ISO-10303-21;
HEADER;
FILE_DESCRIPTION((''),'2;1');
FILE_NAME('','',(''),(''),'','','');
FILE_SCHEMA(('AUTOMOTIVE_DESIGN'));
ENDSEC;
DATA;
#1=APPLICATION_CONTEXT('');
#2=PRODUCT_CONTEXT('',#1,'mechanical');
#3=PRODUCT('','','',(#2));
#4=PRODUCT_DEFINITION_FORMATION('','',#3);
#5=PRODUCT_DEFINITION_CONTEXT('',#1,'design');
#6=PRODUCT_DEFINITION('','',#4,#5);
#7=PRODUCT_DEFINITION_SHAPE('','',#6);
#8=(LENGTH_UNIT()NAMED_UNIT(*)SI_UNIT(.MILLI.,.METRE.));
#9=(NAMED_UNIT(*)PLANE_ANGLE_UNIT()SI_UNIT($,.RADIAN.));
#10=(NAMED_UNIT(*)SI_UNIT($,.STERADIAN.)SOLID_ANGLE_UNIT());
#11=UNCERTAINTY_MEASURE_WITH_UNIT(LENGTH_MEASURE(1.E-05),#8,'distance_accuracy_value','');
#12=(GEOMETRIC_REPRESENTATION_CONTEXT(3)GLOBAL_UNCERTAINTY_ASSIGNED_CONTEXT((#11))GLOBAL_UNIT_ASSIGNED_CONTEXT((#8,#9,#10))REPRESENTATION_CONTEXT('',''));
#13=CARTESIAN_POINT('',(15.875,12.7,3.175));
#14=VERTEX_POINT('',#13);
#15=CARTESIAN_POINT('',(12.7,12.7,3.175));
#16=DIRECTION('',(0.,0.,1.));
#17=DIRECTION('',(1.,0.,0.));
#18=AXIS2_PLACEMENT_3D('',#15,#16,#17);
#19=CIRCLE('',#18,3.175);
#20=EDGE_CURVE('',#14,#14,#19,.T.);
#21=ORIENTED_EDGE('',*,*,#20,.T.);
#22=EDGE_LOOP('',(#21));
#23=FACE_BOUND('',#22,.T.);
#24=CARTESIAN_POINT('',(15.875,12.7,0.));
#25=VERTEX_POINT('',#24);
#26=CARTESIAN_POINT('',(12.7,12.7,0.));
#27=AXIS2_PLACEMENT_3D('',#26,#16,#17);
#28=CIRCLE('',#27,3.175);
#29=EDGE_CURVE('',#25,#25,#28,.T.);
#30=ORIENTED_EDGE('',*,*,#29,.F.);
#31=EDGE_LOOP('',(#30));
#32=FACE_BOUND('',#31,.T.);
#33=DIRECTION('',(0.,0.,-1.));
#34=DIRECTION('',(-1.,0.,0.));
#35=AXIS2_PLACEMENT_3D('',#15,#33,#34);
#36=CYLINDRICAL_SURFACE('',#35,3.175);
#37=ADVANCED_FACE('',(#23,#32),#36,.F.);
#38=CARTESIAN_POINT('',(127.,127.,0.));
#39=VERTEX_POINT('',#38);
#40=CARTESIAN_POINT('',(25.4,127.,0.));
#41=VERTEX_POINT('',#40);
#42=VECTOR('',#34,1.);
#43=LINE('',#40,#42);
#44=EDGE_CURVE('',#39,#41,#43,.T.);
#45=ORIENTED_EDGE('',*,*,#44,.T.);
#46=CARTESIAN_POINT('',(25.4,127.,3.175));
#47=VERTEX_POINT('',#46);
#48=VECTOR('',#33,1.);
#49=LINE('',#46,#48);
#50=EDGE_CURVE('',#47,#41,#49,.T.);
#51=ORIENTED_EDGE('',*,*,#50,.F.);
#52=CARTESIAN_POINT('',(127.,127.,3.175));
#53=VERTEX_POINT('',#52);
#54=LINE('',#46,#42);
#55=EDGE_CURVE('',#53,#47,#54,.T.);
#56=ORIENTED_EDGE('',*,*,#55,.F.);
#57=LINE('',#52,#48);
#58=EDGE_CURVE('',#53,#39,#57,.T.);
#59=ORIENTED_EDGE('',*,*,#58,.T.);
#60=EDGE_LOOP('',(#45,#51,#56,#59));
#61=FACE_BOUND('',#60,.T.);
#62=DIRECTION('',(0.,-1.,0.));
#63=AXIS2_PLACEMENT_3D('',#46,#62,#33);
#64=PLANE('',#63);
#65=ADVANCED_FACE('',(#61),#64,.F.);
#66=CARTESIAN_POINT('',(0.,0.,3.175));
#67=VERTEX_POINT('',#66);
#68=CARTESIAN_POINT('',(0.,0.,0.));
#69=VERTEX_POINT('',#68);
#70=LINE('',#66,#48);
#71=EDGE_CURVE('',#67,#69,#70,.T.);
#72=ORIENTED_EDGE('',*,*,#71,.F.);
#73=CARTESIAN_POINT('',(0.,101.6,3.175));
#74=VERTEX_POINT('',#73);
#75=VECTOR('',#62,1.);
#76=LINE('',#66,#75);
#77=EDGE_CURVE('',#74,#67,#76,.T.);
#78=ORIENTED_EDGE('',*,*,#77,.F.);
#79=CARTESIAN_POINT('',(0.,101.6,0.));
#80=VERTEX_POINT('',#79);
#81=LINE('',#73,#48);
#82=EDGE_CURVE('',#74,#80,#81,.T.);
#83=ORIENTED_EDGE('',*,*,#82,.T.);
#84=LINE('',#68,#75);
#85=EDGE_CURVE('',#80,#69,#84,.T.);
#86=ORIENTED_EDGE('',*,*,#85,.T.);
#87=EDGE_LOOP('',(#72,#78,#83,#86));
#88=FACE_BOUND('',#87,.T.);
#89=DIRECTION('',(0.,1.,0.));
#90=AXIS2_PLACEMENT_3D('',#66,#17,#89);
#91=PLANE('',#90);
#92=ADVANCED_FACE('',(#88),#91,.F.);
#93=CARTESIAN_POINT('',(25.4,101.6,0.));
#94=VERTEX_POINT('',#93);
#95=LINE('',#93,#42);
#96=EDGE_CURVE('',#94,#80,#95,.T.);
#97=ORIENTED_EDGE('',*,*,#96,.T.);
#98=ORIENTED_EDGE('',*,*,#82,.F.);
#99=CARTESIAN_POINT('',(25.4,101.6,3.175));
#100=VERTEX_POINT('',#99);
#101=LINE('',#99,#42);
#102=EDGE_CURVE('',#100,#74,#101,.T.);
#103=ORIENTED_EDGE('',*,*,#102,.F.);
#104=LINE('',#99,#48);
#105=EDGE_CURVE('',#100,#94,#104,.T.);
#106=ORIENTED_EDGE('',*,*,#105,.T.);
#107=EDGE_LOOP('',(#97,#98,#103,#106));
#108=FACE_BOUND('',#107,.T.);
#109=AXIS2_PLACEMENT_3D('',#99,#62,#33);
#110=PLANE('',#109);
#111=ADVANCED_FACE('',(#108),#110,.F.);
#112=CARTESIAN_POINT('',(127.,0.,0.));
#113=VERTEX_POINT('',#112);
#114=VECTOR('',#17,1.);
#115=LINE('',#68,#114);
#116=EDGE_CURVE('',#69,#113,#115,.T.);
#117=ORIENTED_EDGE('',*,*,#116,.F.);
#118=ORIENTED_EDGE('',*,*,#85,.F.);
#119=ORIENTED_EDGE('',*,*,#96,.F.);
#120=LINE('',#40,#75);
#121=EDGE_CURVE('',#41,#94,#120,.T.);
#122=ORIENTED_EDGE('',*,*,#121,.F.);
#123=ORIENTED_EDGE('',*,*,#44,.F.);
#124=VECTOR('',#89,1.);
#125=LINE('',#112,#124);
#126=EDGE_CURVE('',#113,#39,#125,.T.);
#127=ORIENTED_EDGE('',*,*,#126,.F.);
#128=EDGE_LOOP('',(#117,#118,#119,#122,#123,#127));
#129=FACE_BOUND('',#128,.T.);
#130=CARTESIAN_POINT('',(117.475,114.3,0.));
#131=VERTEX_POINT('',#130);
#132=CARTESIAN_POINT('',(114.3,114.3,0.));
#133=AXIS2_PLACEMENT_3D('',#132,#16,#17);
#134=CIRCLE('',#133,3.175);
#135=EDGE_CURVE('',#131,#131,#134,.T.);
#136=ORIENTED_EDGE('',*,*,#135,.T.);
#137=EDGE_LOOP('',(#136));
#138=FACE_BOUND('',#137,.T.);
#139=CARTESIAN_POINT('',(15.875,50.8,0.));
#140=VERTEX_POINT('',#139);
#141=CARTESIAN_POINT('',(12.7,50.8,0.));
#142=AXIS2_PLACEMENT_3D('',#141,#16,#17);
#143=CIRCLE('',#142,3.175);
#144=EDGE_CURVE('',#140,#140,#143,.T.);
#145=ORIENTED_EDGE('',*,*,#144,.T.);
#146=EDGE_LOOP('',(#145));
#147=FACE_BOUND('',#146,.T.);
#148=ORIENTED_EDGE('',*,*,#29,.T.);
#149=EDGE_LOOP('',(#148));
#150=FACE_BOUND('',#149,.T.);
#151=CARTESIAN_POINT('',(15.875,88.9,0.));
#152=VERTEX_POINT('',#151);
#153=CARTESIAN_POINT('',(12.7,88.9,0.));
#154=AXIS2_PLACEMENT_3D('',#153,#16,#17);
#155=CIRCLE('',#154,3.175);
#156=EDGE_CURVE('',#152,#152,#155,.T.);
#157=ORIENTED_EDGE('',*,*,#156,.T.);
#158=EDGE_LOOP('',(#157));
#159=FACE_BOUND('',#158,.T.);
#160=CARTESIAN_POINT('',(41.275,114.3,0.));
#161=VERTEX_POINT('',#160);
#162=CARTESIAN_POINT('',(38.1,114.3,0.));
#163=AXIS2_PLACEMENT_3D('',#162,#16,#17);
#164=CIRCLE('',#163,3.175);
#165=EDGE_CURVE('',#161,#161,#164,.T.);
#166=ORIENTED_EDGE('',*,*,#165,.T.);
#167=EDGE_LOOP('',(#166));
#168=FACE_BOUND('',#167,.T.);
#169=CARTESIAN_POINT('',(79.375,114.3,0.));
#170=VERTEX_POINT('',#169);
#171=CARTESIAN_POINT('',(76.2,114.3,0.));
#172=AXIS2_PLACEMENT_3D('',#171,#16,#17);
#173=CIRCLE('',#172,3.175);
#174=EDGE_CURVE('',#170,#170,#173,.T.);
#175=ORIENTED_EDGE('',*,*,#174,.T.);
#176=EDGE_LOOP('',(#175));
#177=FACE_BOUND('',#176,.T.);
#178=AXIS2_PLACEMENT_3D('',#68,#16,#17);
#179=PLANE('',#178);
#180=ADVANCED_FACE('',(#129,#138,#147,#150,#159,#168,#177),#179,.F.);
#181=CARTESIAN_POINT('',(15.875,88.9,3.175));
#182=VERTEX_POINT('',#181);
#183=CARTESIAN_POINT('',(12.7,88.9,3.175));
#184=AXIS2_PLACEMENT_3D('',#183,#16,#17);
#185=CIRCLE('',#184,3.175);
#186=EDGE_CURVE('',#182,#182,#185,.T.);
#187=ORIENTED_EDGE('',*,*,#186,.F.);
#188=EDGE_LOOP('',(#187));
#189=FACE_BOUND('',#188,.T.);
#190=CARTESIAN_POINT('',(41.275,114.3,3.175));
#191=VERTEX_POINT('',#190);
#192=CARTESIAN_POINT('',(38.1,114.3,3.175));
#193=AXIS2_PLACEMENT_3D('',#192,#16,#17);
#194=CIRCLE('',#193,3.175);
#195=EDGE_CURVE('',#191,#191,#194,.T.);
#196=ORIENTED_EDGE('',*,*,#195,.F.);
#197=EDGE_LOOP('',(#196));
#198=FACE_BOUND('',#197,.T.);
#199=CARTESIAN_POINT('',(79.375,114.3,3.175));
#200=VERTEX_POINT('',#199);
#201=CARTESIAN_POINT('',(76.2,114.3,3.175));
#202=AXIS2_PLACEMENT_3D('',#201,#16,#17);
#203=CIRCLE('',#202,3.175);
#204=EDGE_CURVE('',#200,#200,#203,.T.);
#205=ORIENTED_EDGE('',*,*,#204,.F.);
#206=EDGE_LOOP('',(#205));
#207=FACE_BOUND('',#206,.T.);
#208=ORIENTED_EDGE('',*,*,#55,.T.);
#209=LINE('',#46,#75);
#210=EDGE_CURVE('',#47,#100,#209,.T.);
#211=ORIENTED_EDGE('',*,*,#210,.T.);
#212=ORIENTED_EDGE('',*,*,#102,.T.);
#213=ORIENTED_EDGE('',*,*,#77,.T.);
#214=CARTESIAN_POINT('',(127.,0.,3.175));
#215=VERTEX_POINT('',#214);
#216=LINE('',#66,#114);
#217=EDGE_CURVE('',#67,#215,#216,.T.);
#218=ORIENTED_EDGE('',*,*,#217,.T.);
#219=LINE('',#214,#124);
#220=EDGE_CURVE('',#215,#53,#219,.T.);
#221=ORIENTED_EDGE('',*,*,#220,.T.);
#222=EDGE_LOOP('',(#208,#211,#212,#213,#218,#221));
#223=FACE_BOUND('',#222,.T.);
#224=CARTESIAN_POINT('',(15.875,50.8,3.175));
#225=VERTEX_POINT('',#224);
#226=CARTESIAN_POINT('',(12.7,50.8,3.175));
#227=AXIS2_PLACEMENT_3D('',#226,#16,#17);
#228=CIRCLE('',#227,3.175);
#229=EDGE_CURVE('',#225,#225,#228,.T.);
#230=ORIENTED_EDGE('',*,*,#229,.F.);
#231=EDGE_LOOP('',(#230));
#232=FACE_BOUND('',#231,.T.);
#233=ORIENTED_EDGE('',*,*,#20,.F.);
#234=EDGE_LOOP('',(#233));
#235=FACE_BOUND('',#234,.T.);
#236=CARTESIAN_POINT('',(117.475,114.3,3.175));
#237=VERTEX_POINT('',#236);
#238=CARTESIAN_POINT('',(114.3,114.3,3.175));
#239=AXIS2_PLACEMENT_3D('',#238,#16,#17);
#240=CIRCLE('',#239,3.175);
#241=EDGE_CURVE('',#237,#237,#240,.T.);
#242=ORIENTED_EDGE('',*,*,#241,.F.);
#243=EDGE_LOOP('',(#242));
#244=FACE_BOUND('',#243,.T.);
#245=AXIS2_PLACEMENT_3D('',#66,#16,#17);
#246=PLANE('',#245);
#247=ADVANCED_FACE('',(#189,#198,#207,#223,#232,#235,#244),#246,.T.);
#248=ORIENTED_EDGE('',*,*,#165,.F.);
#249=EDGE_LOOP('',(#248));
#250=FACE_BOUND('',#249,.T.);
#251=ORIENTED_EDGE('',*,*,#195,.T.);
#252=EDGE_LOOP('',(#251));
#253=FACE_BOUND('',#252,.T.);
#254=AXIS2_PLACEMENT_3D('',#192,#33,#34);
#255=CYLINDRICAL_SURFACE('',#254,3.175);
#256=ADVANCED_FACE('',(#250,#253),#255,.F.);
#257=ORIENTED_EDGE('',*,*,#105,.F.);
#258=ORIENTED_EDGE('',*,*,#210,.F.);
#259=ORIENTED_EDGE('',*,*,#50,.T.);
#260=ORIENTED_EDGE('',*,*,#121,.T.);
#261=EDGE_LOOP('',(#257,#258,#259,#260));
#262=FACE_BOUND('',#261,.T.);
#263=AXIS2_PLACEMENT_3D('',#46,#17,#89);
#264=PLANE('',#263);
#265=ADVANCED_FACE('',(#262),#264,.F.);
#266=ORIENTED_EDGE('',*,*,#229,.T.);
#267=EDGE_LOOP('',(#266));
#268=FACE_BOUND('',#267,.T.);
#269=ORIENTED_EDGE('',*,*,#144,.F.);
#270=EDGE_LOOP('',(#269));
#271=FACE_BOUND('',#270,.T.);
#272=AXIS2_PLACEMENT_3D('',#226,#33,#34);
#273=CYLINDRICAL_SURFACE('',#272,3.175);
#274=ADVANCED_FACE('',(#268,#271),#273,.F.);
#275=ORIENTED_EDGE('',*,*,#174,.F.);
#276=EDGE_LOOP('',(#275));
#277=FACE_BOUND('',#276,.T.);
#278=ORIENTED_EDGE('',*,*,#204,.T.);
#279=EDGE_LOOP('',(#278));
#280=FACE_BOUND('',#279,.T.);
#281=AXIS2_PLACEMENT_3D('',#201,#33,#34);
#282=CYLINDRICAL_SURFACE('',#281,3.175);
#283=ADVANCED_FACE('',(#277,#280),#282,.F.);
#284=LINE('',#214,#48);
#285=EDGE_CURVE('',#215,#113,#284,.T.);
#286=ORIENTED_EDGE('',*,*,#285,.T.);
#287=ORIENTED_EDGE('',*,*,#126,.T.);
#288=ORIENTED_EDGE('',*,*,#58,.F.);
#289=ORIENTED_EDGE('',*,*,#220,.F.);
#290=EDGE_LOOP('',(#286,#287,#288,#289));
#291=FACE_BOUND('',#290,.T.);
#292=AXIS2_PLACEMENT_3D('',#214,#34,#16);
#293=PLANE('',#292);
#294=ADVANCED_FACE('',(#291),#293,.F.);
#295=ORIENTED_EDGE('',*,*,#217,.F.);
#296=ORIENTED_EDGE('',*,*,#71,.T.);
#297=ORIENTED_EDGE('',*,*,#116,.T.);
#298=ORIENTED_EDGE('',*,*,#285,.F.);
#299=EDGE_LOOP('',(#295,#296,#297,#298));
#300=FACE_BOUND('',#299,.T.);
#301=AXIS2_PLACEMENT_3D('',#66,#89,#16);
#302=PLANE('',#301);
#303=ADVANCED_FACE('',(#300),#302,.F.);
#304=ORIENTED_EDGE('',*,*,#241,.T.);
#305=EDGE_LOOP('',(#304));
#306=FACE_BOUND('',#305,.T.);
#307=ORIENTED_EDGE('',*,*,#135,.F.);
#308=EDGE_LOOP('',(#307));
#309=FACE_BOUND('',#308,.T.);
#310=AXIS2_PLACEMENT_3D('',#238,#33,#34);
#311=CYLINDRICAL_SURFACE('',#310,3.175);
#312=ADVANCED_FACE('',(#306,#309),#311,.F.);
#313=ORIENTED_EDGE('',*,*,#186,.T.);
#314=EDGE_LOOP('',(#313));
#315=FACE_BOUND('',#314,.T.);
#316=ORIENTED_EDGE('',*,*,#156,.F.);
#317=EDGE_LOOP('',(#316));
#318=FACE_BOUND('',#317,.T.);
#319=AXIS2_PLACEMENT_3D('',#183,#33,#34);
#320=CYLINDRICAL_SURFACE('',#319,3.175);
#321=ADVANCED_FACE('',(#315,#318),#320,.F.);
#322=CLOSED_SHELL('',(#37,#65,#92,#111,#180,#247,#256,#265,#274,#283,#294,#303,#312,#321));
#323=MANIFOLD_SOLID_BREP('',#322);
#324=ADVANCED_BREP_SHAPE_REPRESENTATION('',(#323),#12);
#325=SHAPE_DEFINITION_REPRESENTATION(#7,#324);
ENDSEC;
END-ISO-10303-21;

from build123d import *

# Parameters (mm, degrees)
SKETCH1_R           = 3.175
BOSS_EXTRUDE1_DEPTH = 3.175


with BuildPart() as part:
    # Sketch1 → Boss-Extrude1 (new body)
    with BuildSketch(Plane.XY):
        Polygon((0, 0), (127, 0), (127, 127), (25.4, 127), (25.4, 101.6), (0, 101.6), align=None)
        with Locations((12.7, 88.9)):
            Circle(SKETCH1_R, mode=Mode.SUBTRACT)
        with Locations((12.7, 50.8)):
            Circle(SKETCH1_R, mode=Mode.SUBTRACT)
        with Locations((12.7, 12.7)):
            Circle(SKETCH1_R, mode=Mode.SUBTRACT)
        with Locations((38.1, 114.3)):
            Circle(SKETCH1_R, mode=Mode.SUBTRACT)
        with Locations((76.2, 114.3)):
            Circle(SKETCH1_R, mode=Mode.SUBTRACT)
        with Locations((114.3, 114.3)):
            Circle(SKETCH1_R, mode=Mode.SUBTRACT)
    extrude(amount=BOSS_EXTRUDE1_DEPTH)


solid = part.part
